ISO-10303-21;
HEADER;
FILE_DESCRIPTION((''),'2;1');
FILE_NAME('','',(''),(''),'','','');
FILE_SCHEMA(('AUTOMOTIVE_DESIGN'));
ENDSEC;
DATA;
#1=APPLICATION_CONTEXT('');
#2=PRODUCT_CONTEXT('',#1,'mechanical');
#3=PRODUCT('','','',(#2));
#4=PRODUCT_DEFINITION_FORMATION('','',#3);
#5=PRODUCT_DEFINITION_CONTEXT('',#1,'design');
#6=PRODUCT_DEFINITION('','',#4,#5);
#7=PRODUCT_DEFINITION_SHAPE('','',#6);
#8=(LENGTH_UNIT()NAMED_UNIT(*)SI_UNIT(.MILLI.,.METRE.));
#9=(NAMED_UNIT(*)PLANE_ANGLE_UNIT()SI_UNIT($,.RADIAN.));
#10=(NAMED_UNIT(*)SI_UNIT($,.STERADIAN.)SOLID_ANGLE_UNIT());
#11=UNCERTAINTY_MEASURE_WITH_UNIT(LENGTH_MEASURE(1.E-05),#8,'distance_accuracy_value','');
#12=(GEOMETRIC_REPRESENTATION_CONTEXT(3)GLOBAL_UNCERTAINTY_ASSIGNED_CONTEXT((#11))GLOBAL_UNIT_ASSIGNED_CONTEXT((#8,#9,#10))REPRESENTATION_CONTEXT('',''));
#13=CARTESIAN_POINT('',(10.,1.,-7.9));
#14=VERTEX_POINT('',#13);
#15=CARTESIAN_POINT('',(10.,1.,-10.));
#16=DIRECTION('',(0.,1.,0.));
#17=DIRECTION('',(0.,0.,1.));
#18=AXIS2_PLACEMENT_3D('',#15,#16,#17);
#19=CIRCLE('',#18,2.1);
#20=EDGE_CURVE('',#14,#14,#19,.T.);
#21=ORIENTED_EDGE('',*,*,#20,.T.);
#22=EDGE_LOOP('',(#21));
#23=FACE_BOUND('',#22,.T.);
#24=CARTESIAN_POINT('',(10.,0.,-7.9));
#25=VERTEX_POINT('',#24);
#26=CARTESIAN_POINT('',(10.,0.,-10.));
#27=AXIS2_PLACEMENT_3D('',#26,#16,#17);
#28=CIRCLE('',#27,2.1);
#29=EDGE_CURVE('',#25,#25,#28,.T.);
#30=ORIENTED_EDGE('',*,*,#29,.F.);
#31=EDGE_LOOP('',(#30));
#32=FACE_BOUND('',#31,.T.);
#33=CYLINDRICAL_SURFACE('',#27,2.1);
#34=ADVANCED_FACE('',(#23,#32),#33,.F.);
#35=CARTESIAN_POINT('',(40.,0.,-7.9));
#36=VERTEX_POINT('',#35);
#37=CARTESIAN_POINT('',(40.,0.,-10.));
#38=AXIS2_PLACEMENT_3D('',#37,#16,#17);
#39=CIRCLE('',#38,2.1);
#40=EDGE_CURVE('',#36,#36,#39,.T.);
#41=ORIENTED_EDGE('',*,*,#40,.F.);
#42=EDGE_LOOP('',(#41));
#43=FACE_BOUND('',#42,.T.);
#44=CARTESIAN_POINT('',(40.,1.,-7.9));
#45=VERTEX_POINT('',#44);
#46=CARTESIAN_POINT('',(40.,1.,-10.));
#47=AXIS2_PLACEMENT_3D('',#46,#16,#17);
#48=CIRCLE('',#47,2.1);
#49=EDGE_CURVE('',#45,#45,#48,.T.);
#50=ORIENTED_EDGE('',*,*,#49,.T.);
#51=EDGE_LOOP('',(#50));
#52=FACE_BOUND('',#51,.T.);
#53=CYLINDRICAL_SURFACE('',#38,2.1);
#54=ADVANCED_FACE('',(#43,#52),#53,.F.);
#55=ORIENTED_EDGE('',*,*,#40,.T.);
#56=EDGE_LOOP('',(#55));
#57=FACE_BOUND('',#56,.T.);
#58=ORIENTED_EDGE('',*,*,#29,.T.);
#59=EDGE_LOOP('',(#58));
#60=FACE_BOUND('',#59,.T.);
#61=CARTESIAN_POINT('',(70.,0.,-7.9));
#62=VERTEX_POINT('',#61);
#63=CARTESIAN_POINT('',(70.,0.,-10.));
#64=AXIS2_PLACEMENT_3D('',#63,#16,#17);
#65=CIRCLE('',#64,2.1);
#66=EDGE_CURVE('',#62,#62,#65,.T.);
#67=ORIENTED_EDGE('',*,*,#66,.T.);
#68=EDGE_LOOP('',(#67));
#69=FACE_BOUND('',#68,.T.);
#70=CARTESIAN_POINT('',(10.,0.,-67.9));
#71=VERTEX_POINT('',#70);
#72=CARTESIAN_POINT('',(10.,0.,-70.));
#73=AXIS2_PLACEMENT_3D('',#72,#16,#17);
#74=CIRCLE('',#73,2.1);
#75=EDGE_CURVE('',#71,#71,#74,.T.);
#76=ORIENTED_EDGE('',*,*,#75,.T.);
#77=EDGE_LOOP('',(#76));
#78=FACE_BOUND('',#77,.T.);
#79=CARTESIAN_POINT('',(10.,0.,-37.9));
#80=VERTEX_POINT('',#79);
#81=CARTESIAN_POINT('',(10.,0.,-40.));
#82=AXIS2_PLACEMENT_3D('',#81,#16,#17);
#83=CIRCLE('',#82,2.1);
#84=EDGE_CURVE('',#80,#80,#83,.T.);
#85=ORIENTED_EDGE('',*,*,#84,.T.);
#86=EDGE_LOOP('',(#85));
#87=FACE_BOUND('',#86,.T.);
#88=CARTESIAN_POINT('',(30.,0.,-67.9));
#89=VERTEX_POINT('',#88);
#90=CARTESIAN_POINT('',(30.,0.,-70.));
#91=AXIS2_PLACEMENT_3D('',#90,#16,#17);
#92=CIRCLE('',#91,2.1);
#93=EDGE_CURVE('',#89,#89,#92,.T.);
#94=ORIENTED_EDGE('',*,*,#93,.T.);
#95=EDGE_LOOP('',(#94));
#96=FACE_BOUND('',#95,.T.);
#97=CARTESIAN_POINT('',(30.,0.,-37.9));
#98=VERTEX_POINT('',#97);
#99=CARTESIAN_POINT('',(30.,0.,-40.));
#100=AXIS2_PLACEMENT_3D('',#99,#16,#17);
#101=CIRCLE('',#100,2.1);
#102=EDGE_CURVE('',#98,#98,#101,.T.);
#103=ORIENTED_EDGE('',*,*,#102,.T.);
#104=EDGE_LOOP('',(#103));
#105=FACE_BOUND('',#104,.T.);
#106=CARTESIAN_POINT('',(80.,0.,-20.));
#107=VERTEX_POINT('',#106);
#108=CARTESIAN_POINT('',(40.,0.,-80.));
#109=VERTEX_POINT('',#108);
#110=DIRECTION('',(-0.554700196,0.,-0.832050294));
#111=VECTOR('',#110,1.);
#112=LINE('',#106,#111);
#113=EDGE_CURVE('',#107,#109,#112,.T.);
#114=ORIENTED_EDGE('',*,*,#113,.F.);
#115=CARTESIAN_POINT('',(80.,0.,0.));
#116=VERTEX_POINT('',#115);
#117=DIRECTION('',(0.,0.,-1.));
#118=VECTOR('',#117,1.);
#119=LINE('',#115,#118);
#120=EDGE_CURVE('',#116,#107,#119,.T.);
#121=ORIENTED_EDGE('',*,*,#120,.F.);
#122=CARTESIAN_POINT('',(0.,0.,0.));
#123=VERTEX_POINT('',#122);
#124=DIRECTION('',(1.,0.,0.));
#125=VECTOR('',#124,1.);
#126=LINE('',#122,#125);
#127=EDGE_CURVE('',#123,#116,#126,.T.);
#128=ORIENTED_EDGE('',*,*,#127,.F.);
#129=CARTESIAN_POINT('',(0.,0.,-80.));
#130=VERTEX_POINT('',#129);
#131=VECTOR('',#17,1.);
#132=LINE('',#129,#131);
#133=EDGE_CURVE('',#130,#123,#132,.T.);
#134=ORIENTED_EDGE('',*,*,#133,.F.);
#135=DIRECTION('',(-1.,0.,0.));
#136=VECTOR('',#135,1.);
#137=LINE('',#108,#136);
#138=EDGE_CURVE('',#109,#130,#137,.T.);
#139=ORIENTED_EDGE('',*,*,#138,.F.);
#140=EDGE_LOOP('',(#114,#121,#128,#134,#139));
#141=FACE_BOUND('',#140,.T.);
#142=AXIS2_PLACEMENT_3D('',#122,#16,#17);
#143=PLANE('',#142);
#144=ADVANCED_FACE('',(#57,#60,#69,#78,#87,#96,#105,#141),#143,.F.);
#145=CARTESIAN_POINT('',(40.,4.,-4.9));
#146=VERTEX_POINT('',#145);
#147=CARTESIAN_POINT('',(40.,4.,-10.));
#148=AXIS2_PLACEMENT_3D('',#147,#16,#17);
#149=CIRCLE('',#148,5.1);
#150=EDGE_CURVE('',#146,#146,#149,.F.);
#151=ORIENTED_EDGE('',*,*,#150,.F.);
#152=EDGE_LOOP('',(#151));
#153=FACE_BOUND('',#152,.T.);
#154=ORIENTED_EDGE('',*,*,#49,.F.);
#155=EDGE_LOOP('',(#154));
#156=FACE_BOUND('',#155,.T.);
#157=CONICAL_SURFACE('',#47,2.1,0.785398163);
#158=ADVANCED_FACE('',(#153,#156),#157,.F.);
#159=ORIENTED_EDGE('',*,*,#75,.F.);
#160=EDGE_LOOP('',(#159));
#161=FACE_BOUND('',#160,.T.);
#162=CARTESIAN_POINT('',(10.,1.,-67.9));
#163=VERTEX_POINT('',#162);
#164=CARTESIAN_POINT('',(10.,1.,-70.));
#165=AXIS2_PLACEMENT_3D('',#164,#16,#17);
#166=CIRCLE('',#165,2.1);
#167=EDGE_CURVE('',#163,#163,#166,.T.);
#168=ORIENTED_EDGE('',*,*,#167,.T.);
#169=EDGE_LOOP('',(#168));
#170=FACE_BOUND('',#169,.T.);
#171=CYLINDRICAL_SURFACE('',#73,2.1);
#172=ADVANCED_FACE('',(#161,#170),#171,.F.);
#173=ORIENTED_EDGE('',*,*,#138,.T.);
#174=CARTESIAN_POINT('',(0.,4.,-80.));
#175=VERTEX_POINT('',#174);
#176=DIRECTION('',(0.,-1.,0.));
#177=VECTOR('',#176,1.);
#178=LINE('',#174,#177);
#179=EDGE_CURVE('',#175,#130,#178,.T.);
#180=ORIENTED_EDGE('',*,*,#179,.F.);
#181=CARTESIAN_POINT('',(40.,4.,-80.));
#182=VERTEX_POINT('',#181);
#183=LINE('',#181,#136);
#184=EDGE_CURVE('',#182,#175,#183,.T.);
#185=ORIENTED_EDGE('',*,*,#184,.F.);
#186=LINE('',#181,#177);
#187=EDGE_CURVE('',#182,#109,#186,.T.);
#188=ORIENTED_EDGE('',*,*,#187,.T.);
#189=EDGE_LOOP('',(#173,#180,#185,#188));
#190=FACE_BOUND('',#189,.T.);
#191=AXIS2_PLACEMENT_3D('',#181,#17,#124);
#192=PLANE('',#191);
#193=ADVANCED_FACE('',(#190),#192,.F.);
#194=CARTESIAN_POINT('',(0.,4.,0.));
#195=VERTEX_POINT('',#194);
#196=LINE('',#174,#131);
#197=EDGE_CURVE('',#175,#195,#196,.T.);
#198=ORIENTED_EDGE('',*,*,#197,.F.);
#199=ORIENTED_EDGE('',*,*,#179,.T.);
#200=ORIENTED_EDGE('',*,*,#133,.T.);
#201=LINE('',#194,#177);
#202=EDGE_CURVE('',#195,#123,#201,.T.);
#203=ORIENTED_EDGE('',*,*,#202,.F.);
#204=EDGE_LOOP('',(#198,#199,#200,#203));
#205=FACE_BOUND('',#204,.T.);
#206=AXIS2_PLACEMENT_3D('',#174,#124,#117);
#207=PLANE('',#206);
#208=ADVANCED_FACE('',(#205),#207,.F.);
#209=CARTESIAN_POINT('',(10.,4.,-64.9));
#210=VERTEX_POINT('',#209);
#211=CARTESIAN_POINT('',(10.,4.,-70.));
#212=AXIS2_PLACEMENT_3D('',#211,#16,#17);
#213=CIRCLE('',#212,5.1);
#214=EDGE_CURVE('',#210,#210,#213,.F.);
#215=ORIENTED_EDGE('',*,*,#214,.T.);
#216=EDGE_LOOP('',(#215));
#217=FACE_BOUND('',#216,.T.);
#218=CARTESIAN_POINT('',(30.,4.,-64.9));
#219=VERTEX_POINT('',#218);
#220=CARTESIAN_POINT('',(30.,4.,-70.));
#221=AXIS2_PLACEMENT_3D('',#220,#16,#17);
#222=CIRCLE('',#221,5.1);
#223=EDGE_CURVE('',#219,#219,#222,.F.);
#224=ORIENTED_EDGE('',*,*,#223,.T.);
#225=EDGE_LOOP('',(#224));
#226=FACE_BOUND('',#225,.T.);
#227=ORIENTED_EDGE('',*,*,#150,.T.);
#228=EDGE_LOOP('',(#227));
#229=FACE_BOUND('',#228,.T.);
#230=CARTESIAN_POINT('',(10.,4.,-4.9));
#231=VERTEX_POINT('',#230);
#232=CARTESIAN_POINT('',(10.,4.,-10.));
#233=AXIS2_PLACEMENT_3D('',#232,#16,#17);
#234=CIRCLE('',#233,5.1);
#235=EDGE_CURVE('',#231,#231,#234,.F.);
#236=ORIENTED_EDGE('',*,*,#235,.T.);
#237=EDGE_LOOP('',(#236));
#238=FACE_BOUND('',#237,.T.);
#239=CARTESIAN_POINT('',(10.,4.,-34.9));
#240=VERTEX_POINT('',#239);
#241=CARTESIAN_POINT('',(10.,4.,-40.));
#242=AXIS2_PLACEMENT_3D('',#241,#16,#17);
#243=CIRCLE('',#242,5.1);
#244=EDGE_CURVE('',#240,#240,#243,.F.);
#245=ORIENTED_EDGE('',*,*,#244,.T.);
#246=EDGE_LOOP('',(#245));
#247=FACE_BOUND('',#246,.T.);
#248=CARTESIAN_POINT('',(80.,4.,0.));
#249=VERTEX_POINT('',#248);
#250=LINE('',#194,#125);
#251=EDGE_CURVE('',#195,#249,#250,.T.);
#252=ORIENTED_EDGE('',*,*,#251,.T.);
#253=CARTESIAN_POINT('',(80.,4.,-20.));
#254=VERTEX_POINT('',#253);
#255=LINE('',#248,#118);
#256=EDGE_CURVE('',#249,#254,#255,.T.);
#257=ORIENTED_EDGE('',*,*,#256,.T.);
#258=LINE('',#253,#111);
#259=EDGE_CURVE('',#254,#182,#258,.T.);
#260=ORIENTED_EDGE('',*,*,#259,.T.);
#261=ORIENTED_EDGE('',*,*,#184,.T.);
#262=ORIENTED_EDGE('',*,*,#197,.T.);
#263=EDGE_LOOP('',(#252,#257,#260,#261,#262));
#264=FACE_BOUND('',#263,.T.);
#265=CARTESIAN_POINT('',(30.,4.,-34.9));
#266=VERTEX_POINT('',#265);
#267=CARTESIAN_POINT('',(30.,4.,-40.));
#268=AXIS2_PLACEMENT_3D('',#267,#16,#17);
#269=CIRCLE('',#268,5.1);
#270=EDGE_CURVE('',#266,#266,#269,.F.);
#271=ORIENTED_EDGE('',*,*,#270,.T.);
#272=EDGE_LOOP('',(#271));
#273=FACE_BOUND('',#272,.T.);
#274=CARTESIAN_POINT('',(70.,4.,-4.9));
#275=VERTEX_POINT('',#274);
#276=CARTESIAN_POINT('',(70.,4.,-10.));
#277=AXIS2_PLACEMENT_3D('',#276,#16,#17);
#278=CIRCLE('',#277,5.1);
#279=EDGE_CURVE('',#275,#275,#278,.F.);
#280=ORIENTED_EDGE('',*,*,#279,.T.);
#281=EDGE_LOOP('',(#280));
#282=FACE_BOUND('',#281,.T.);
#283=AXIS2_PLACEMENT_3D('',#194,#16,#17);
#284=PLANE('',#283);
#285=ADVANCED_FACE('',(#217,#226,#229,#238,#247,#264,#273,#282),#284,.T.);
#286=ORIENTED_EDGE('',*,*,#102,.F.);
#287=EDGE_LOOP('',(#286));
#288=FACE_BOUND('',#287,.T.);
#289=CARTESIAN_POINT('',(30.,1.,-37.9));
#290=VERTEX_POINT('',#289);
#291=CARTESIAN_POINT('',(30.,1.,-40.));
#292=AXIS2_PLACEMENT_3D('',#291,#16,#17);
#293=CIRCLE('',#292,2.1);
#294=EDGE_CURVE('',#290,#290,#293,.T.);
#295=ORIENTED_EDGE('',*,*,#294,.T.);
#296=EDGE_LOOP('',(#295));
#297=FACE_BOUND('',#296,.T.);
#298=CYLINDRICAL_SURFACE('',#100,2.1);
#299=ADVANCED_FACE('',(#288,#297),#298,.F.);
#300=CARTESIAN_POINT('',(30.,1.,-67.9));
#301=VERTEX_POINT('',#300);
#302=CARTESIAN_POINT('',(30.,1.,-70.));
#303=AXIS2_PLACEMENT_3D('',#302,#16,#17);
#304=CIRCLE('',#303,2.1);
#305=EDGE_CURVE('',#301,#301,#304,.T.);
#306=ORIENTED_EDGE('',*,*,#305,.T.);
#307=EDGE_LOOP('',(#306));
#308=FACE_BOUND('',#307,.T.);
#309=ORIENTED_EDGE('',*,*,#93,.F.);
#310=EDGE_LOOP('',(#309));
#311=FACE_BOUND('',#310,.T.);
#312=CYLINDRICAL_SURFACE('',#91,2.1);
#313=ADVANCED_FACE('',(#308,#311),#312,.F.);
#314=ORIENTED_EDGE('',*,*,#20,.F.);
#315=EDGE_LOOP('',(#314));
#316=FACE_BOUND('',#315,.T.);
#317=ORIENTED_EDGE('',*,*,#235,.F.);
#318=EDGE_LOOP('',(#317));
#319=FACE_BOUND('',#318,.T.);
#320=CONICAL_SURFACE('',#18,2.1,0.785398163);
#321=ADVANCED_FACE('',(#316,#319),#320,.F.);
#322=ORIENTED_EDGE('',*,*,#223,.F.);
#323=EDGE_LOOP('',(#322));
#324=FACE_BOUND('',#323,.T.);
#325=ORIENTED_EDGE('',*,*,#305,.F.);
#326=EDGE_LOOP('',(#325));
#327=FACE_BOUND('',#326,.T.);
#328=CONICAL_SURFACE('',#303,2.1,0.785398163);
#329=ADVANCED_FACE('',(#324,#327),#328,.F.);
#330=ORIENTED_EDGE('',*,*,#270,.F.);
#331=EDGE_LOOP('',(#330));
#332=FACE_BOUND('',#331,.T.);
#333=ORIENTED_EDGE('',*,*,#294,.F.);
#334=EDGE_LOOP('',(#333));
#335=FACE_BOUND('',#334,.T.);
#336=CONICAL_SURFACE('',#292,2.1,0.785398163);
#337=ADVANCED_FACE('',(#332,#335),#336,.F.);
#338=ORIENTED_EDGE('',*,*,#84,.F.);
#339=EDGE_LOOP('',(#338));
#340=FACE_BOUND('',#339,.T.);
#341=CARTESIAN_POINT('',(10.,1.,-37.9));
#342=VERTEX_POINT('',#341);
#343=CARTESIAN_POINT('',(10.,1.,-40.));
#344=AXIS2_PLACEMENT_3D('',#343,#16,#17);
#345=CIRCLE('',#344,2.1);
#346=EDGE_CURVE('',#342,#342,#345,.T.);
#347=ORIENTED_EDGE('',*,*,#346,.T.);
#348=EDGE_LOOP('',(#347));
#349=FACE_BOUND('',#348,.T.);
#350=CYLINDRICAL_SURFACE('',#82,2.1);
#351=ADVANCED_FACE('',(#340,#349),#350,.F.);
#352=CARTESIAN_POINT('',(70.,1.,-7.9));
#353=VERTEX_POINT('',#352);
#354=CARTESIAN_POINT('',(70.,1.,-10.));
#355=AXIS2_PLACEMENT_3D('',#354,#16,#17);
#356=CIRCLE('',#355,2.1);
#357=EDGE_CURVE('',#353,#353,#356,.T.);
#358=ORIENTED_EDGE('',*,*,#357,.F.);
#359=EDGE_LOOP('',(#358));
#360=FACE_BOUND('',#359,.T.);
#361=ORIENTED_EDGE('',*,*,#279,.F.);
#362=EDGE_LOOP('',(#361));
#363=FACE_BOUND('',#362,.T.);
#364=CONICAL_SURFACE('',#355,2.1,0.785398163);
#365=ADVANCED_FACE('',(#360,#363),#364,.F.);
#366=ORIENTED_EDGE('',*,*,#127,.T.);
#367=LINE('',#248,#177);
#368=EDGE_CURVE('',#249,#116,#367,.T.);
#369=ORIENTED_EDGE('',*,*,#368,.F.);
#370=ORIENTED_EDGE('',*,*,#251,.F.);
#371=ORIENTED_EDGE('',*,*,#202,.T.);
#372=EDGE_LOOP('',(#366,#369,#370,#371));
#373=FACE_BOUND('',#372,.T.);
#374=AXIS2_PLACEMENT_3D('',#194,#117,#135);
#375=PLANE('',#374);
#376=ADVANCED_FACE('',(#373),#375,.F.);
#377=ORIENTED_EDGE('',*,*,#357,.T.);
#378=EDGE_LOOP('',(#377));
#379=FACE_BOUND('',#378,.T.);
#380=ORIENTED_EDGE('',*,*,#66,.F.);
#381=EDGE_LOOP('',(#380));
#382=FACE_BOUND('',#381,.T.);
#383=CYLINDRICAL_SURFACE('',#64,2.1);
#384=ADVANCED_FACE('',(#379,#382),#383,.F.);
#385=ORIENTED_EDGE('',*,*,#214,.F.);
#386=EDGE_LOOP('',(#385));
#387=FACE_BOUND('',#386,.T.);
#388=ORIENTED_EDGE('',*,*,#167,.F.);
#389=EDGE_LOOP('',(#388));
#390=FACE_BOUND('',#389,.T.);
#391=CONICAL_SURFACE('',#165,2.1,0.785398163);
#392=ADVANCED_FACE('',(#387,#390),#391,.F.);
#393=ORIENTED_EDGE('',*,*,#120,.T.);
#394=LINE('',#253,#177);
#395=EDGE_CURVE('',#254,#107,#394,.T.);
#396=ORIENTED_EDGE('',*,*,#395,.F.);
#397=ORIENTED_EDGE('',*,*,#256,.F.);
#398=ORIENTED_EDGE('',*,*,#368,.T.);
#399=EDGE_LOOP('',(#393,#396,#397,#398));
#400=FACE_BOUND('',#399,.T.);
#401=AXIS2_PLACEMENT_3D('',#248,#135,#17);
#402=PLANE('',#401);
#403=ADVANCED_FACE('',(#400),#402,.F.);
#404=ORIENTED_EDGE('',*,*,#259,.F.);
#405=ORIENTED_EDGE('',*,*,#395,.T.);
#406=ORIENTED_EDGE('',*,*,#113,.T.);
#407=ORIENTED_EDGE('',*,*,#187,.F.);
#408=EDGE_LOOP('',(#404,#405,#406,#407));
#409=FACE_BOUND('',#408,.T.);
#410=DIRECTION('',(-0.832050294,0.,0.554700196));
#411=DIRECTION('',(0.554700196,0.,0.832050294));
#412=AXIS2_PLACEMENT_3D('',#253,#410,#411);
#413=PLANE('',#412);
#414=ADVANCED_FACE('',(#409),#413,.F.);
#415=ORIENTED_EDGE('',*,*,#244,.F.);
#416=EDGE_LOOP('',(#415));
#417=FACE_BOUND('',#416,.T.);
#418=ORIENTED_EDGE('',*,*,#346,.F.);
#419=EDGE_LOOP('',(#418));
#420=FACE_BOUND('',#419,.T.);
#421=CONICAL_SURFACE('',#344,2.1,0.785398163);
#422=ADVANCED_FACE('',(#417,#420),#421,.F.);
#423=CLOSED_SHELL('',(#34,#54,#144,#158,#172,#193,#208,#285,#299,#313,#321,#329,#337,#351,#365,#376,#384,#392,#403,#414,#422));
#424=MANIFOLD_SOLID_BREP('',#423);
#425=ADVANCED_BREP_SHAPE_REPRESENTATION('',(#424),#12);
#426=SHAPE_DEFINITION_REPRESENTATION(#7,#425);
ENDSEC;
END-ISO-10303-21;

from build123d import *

# Parameters (mm, degrees)
BOSS_EXTRUDE1_DEPTH = 4
SKETCH2_R           = 2.1
CUT_EXTRUDE1_DEPTH  = 4
CHAMFER1_SIZE       = 3


with BuildPart() as part:
    # Sketch1 → Boss-Extrude1 (new body)
    with BuildSketch(Plane(origin=(0, 0, 0), x_dir=(1, 0, 0), z_dir=(0, 1, 0))):
        Polygon((0, 0), (80, 0), (80, 20), (40, 80), (0, 80), align=None)
    extrude(amount=BOSS_EXTRUDE1_DEPTH)

    # Sketch2 → Cut-Extrude1 (cut)
    with BuildSketch(Plane(origin=(0, 4, 0), x_dir=(1, 0, 0), z_dir=(0, 1, 0))):
        with Locations((10, 10)):
            Circle(SKETCH2_R)
        with Locations((40, 10)):
            Circle(SKETCH2_R)
        with Locations((70, 10)):
            Circle(SKETCH2_R)
        with Locations((30, 40)):
            Circle(SKETCH2_R)
        with Locations((30, 70)):
            Circle(SKETCH2_R)
        with Locations((10, 40)):
            Circle(SKETCH2_R)
        with Locations((10, 70)):
            Circle(SKETCH2_R)
    extrude(amount=-CUT_EXTRUDE1_DEPTH, mode=Mode.SUBTRACT)

    # Chamfer1
    chamfer1_edges = [part.edges().sort_by_distance(p)[0] for p in [
        (7.9, 4, -70),
        (7.9, 4, -40),
        (27.9, 4, -70),
        (27.9, 4, -40),
        (67.9, 4, -10),
        (37.9, 4, -10),
        (7.9, 4, -10),
    ]]
    chamfer(chamfer1_edges, length=CHAMFER1_SIZE)


solid = part.part
